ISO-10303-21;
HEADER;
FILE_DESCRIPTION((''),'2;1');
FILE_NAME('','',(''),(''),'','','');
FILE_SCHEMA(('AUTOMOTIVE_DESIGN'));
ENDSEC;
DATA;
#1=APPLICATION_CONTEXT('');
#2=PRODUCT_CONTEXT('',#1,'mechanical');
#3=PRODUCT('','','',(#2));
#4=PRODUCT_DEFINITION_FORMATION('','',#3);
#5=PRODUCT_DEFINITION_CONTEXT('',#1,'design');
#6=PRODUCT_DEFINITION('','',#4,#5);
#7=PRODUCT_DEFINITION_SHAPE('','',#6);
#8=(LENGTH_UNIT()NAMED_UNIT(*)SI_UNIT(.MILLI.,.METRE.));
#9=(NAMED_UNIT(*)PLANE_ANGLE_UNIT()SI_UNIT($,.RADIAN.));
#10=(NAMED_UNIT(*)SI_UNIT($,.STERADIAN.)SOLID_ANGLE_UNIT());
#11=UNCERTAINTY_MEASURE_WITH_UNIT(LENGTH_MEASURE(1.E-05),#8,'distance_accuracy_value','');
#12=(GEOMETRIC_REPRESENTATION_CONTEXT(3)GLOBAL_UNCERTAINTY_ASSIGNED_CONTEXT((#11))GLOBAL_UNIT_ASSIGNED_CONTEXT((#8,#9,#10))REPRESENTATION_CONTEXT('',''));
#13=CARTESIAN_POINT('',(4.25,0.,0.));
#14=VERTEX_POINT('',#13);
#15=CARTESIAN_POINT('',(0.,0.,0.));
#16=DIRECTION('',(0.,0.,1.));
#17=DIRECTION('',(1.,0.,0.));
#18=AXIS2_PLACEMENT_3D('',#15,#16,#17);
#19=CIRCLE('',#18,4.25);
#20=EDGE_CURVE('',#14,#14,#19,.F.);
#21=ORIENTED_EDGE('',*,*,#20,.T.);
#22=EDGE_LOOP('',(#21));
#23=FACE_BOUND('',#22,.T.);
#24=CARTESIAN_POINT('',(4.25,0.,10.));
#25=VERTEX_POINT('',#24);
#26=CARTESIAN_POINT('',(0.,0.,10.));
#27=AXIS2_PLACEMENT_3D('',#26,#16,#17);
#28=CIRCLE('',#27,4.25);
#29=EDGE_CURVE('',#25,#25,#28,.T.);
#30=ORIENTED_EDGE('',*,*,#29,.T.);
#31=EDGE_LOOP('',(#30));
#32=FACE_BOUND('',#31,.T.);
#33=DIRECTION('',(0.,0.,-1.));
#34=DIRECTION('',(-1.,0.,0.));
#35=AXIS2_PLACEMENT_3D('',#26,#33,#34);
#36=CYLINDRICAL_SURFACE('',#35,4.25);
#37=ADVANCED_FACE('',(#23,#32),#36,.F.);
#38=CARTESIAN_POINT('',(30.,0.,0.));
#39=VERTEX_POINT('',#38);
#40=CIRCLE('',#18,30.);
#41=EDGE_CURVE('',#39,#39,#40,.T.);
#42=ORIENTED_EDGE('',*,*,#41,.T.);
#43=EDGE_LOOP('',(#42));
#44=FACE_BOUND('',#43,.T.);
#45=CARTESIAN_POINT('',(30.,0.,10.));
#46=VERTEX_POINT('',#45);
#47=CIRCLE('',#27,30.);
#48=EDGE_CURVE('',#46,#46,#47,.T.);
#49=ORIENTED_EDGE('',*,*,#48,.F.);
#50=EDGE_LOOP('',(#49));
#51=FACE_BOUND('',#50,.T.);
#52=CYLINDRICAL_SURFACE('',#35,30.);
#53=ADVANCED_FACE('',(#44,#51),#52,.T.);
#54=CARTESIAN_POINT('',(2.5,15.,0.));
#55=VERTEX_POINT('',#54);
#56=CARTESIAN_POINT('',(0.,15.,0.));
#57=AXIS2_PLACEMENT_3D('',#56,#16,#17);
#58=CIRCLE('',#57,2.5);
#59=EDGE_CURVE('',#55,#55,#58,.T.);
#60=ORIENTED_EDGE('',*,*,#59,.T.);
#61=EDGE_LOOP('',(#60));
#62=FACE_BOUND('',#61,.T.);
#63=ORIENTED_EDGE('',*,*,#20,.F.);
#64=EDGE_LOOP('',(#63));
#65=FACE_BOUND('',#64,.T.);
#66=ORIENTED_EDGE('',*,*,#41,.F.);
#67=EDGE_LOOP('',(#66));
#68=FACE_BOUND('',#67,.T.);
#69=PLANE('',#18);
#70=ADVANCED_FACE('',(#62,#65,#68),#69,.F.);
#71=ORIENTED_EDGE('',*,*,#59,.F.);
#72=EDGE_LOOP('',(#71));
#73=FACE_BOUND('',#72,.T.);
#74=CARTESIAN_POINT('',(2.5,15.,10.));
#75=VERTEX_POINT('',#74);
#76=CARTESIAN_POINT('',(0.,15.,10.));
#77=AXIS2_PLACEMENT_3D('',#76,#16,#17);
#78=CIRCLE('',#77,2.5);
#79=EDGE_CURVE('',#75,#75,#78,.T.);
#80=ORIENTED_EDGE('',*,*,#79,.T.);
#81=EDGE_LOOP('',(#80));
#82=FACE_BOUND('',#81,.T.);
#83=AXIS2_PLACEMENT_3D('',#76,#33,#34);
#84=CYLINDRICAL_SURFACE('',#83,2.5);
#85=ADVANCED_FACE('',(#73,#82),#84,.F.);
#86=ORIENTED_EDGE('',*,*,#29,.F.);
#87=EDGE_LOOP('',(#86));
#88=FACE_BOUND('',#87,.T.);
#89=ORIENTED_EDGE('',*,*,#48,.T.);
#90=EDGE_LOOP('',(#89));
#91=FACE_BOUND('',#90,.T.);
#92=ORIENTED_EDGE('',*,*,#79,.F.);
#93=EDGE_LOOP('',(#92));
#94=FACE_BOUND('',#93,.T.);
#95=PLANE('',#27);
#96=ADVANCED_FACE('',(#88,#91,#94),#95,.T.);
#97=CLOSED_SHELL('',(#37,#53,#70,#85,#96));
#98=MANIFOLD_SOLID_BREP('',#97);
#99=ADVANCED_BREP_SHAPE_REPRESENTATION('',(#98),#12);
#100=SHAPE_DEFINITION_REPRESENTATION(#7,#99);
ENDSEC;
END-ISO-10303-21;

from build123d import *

# Parameters (mm, degrees)
SKETCH1_R               = 30
BOSS_EXTRUDE1_DEPTH     = 10
SKETCH2_R               = 2.5
CUT_EXTRUDE1_DEPTH      = 10
CUT_EXTRUDE4_DEPTH      = 10
CUT_EXTRUDE4_DEPTH_BACK = 10
SKETCH4_R               = 4.25


with BuildPart() as part:
    # Sketch1 → Boss-Extrude1 (new body)
    with BuildSketch(Plane.XY):
        Circle(SKETCH1_R)
    extrude(amount=BOSS_EXTRUDE1_DEPTH)

    # Sketch2 → Cut-Extrude1 (cut)
    with BuildSketch(Plane.XY):
        with Locations((0, 15)):
            Circle(SKETCH2_R)
    extrude(amount=CUT_EXTRUDE1_DEPTH, mode=Mode.SUBTRACT)

    # Sketch4 → Cut-Extrude4 (cut, two sides: drawn at the far end of the back side and taken through both)
    with BuildSketch(Plane.XY.offset(-CUT_EXTRUDE4_DEPTH_BACK)):
        Circle(SKETCH4_R)
    extrude(amount=CUT_EXTRUDE4_DEPTH + CUT_EXTRUDE4_DEPTH_BACK, mode=Mode.SUBTRACT)


solid = part.part
